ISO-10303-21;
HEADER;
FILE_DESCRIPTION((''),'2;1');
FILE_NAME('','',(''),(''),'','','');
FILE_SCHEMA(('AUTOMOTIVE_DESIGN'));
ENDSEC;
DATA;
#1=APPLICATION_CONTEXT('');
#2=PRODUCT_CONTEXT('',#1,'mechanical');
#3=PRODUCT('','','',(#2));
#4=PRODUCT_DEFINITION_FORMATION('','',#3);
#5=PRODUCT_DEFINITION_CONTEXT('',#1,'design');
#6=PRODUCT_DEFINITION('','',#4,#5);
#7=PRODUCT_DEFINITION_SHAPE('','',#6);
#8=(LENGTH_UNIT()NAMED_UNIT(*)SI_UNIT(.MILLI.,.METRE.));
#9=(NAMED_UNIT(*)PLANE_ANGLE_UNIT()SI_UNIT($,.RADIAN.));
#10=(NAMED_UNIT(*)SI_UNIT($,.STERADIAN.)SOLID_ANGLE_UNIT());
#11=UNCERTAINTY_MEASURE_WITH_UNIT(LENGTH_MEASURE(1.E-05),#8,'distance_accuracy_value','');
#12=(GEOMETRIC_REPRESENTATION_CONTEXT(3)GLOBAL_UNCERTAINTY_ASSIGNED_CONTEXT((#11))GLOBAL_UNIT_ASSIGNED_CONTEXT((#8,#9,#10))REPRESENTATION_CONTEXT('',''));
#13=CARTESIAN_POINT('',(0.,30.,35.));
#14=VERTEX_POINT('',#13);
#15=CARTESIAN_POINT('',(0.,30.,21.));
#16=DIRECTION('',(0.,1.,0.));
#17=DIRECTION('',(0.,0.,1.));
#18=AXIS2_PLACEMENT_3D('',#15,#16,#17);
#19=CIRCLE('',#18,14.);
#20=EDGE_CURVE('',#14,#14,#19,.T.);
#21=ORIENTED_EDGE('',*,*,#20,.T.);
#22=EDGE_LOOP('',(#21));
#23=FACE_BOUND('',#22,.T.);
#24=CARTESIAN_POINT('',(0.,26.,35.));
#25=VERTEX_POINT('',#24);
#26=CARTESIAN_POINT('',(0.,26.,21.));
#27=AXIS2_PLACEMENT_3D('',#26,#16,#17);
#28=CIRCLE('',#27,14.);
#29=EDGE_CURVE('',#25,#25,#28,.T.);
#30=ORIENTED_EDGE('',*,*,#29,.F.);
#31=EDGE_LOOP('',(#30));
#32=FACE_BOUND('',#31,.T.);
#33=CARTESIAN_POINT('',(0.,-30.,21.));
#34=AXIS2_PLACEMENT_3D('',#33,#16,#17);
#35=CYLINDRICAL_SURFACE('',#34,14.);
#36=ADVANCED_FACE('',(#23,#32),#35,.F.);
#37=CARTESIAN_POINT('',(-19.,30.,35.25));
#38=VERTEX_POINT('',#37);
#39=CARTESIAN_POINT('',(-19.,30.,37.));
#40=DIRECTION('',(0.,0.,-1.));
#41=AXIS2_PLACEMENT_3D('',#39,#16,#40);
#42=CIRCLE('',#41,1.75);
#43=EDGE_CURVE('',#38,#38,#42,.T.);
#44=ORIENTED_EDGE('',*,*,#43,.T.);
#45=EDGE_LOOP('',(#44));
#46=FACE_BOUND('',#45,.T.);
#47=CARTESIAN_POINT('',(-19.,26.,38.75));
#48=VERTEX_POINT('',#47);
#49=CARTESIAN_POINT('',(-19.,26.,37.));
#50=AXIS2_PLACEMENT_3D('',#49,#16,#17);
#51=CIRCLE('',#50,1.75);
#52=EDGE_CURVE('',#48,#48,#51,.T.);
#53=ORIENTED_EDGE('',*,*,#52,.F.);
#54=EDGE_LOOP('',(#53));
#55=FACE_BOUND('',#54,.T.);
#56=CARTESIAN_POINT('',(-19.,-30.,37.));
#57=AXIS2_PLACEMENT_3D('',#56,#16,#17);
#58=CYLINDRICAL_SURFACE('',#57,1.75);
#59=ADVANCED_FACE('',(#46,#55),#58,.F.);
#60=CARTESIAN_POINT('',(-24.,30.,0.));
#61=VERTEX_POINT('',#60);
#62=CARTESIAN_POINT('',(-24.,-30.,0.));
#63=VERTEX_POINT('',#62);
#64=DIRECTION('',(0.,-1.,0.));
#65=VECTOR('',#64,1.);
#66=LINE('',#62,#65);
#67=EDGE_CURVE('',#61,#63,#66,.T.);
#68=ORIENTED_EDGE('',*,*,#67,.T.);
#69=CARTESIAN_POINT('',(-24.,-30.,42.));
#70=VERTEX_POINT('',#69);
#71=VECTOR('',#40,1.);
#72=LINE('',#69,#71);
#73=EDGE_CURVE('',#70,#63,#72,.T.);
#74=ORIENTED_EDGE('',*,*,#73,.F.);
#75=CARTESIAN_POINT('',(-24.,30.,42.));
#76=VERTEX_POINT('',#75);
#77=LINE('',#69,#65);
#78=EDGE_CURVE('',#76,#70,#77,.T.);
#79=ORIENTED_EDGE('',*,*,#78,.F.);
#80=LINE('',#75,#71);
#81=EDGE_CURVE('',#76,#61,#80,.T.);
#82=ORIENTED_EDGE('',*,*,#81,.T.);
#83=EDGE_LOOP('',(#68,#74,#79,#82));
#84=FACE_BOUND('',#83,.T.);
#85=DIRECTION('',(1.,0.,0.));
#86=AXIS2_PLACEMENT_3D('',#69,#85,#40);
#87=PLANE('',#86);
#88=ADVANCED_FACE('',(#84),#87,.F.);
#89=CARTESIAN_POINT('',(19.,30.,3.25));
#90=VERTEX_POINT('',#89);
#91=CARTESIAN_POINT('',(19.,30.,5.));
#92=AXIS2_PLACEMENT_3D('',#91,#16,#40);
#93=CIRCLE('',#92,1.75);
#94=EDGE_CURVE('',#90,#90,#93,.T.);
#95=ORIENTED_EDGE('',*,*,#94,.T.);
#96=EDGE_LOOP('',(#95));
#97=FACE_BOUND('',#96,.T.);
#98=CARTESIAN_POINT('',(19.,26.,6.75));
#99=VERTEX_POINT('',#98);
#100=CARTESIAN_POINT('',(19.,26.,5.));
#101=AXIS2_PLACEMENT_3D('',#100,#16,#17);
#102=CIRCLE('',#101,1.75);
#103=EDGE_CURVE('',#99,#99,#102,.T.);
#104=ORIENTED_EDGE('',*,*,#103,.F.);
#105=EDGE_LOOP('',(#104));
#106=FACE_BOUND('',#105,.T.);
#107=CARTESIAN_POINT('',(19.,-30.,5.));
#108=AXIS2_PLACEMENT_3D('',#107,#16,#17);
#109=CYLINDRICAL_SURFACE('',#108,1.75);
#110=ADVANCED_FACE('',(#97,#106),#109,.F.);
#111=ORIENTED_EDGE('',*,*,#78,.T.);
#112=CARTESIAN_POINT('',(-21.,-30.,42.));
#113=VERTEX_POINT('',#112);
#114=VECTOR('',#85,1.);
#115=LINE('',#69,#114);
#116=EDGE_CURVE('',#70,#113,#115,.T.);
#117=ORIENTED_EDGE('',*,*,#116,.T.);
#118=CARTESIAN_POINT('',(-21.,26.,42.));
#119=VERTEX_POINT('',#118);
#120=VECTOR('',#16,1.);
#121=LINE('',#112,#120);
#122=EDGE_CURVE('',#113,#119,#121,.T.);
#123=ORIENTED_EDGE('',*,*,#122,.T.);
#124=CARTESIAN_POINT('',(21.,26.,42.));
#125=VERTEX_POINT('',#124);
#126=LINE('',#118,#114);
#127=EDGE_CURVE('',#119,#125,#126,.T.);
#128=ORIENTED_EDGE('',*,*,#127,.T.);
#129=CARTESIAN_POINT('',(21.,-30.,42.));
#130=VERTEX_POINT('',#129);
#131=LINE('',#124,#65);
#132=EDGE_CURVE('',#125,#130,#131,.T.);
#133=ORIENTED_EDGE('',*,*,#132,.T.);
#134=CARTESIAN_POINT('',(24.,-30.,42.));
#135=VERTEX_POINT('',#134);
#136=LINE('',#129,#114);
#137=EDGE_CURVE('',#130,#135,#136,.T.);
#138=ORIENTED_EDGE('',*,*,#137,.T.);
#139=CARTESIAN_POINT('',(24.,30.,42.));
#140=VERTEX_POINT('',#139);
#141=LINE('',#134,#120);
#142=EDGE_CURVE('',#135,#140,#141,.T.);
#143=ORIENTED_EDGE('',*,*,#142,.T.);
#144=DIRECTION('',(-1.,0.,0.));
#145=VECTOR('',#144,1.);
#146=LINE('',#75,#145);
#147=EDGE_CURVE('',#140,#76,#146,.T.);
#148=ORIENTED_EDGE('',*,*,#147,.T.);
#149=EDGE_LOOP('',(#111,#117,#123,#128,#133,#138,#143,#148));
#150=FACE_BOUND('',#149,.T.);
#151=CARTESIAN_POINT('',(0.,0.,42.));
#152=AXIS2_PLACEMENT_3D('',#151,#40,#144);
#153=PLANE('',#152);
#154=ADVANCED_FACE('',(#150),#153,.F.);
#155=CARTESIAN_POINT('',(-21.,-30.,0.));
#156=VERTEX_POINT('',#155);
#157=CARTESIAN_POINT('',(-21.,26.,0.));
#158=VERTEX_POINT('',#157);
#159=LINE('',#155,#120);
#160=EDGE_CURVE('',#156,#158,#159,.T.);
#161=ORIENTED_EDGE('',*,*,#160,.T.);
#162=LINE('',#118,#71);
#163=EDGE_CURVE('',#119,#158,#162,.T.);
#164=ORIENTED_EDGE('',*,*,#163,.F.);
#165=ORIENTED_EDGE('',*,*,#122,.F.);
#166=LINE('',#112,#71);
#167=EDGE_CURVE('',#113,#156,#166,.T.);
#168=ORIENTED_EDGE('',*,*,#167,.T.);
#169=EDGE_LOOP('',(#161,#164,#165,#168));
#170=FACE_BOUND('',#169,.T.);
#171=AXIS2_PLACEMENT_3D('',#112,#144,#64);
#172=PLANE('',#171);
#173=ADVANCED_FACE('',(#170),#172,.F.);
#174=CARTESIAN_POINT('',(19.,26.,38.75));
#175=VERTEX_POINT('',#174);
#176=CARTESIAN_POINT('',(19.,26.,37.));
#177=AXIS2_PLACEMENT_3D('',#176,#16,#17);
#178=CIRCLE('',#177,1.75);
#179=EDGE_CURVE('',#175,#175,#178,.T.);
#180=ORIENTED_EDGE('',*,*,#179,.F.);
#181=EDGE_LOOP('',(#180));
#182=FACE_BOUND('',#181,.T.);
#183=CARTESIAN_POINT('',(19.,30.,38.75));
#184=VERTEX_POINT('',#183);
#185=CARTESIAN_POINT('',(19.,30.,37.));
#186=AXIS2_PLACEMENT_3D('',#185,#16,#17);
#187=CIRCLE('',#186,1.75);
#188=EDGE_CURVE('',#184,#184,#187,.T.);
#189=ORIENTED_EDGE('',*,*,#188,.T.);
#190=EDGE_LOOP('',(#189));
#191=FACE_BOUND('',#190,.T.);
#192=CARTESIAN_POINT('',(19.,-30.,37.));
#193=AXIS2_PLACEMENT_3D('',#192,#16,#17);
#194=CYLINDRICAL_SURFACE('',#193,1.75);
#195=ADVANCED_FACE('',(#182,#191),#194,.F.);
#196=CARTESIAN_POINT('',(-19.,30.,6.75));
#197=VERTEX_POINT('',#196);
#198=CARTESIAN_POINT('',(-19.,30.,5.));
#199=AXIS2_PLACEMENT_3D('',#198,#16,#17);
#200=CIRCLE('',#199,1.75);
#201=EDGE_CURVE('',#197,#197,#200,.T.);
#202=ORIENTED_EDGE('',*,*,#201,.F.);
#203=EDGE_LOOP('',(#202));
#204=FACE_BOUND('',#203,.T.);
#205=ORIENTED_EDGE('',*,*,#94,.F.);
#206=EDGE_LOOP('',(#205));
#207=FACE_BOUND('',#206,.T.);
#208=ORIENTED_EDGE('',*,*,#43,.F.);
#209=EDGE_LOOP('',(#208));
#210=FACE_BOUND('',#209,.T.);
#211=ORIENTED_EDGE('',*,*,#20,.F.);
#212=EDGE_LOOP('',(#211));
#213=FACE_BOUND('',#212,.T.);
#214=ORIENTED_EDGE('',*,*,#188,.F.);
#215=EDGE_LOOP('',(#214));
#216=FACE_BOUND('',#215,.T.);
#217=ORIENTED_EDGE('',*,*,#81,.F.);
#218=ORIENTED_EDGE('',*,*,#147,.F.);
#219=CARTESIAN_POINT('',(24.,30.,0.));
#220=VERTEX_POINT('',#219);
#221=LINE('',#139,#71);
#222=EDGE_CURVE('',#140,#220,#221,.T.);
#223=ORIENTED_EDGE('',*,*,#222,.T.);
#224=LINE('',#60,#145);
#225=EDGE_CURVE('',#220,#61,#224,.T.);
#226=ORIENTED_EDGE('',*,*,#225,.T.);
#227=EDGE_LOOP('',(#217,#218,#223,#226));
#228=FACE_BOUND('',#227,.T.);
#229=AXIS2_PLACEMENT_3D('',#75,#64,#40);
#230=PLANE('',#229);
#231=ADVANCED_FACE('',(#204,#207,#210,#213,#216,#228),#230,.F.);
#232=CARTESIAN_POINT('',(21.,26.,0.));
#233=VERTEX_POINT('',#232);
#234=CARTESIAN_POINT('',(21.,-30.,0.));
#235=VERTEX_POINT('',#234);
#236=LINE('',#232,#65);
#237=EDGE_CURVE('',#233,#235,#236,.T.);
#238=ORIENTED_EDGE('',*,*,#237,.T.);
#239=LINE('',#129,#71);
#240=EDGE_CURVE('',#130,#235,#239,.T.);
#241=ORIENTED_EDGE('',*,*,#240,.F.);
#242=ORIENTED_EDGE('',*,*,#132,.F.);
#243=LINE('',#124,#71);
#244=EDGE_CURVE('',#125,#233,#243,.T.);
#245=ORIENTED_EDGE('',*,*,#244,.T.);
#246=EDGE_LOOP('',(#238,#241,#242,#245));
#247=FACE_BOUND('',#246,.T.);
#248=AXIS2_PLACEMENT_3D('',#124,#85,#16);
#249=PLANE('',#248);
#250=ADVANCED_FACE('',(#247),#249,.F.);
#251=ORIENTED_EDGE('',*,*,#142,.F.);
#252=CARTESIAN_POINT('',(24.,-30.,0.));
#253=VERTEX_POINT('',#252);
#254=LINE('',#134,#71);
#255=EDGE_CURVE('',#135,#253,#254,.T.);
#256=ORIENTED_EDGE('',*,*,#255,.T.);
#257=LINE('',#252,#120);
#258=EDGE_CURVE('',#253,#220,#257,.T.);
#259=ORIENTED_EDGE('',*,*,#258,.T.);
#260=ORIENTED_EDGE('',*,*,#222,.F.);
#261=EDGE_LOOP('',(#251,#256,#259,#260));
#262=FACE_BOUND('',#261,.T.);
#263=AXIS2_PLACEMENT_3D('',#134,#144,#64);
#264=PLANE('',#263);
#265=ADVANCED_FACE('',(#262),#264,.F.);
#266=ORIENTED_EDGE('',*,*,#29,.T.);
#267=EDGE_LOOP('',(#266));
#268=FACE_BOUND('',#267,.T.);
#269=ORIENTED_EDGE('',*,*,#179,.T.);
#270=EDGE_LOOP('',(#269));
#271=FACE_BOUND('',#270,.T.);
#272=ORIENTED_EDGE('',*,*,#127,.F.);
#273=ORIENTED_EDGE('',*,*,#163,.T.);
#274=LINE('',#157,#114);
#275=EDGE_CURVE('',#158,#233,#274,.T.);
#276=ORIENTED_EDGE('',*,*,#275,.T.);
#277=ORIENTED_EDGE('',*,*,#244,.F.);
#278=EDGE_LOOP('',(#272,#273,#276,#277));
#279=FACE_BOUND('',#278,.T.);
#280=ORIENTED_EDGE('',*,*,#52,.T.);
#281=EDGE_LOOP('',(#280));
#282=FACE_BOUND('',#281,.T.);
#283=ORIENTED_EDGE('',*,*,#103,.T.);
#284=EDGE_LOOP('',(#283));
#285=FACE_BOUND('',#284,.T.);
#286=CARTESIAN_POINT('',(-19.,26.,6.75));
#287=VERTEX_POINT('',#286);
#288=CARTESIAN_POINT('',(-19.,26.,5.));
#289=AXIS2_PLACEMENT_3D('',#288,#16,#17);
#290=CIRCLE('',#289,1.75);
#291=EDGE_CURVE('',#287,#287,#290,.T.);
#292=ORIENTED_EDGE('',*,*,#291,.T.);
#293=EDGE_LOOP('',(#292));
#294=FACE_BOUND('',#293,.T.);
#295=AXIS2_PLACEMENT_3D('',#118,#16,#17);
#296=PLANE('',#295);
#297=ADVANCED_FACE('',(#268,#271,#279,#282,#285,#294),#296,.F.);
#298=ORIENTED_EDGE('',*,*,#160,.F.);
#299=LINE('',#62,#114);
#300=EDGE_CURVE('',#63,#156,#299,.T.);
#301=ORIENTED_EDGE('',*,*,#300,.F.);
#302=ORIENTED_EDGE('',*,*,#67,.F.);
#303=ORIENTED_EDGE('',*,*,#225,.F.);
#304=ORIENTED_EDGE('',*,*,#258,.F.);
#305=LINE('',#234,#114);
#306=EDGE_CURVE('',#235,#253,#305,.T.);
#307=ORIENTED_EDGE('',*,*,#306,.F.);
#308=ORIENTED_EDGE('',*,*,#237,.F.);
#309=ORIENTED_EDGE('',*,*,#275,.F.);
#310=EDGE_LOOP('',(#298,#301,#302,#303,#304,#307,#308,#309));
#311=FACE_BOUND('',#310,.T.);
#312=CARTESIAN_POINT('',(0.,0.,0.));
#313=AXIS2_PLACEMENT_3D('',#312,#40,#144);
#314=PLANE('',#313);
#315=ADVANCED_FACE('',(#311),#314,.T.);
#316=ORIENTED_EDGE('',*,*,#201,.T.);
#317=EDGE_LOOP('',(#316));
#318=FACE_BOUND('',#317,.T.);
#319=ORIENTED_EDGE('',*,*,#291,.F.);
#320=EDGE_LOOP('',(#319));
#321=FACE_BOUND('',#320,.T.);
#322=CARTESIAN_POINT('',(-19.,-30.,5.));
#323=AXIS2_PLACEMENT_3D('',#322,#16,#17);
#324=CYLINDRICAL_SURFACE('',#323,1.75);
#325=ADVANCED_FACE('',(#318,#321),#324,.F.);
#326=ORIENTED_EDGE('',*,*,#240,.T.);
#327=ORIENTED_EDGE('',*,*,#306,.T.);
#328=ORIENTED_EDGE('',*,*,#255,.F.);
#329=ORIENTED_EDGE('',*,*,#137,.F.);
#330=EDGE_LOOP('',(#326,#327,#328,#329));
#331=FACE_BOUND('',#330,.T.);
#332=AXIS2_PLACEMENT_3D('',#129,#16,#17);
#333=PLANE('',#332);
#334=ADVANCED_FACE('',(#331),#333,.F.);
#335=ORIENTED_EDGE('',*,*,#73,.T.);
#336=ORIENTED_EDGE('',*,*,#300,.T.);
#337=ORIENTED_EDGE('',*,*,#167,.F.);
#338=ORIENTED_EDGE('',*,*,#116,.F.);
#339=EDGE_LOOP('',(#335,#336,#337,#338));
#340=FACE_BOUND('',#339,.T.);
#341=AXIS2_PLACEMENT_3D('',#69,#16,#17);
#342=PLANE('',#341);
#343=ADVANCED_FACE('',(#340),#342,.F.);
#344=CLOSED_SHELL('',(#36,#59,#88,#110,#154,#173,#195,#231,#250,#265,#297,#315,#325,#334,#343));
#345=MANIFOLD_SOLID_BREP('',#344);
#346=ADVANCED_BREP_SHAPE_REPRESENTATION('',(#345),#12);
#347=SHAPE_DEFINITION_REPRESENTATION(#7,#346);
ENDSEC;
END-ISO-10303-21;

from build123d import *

# Parameters (mm, degrees)
BOSS_EXTRUDE1_DEPTH = 42
SKETCH2_R           = 1.75
SKETCH2_R_2         = 14
CUT_EXTRUDE1_DEPTH  = 61


with BuildPart() as part:
    # Sketch1 → Boss-Extrude1 (new body)
    with BuildSketch(Plane.XY):
        Polygon((-21, -30), (-21, 26), (21, 26), (21, -30), (24, -30), (24, 30), (-24, 30), (-24, -30), align=None)
    extrude(amount=BOSS_EXTRUDE1_DEPTH)

    # Sketch2 → Cut-Extrude1 (cut, through all)
    with BuildSketch(Plane(origin=(0, 30, 0), x_dir=(1, 0, 0), z_dir=(0, 1, 0))):
        with Locations((19, -37)):
            Circle(SKETCH2_R)
        with Locations((19, -5)):
            Circle(SKETCH2_R)
        with Locations((-19, -37)):
            Circle(SKETCH2_R)
        with Locations((-19, -5)):
            Circle(SKETCH2_R)
        with Locations((0, -21)):
            Circle(SKETCH2_R_2)
    extrude(amount=-CUT_EXTRUDE1_DEPTH, mode=Mode.SUBTRACT)


solid = part.part
